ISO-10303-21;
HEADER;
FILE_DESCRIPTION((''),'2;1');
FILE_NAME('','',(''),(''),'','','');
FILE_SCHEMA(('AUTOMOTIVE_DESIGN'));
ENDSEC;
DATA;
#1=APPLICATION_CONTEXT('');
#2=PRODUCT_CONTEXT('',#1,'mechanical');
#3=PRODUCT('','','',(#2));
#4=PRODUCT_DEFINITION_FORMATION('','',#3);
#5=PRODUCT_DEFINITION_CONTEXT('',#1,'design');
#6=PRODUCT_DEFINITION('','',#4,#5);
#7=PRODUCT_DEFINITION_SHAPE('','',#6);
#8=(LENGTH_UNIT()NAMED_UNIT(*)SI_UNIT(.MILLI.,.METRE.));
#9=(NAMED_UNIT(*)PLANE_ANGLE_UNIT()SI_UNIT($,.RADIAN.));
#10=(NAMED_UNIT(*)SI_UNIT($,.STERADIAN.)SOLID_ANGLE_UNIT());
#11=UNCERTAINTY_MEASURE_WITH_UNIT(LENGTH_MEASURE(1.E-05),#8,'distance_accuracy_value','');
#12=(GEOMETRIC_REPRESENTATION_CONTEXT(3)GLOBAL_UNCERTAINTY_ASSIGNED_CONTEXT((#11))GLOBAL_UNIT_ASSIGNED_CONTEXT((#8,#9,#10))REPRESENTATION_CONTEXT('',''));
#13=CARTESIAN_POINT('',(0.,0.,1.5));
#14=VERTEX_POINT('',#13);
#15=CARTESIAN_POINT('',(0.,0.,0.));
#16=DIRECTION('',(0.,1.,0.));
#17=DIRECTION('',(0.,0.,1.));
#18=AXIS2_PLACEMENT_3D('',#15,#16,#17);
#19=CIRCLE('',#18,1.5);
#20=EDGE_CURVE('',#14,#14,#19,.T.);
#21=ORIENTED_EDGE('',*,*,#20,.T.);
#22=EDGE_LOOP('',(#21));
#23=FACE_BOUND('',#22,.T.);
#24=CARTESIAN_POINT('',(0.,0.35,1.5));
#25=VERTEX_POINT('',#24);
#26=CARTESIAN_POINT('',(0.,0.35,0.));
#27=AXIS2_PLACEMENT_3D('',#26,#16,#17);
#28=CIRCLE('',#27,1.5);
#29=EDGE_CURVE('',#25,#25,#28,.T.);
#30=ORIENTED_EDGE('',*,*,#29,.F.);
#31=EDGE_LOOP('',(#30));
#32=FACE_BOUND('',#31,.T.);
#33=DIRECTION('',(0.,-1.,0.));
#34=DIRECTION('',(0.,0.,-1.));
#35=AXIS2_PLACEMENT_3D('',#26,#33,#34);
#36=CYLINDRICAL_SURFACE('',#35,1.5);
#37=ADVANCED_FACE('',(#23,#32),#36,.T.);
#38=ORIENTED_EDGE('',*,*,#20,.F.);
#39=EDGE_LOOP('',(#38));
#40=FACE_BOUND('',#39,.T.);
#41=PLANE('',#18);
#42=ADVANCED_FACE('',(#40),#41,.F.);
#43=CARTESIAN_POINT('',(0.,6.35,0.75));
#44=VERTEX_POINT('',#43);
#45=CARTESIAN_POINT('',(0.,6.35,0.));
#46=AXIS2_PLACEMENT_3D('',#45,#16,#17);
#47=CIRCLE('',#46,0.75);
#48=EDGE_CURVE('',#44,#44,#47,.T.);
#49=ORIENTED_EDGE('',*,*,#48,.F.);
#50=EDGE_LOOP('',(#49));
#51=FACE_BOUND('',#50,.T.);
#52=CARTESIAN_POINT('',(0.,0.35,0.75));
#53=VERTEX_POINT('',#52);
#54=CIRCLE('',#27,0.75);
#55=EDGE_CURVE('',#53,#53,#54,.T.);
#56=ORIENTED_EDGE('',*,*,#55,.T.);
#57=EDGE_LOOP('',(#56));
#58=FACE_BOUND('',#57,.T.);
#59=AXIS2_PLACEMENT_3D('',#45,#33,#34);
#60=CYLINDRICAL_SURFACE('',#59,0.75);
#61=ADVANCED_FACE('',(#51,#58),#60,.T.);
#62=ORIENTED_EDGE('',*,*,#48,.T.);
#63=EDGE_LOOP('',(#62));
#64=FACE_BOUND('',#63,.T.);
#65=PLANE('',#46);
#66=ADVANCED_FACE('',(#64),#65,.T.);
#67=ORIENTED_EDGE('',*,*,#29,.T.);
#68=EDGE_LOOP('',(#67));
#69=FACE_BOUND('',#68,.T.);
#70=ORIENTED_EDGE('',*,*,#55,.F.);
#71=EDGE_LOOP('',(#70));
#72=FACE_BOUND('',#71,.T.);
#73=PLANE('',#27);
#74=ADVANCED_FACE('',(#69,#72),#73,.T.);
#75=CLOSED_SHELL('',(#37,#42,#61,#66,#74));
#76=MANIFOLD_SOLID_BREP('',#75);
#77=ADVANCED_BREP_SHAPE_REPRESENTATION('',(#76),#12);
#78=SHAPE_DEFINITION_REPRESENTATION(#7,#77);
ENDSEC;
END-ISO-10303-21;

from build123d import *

# Parameters (mm, degrees)
SKETCH1_R           = 1.5
BOSS_EXTRUDE1_DEPTH = 0.35
SKETCH2_R           = 0.75
BOSS_EXTRUDE2_DEPTH = 6


with BuildPart() as part:
    # Sketch1 → Boss-Extrude1 (new body)
    with BuildSketch(Plane(origin=(0, 0, 0), x_dir=(1, 0, 0), z_dir=(0, 1, 0))):
        Circle(SKETCH1_R)
    extrude(amount=BOSS_EXTRUDE1_DEPTH)

    # Sketch2 → Boss-Extrude2 (add)
    with BuildSketch(Plane(origin=(0, 0.35, 0), x_dir=(1, 0, 0), z_dir=(0, 1, 0))):
        Circle(SKETCH2_R)
    extrude(amount=BOSS_EXTRUDE2_DEPTH)


solid = part.part
